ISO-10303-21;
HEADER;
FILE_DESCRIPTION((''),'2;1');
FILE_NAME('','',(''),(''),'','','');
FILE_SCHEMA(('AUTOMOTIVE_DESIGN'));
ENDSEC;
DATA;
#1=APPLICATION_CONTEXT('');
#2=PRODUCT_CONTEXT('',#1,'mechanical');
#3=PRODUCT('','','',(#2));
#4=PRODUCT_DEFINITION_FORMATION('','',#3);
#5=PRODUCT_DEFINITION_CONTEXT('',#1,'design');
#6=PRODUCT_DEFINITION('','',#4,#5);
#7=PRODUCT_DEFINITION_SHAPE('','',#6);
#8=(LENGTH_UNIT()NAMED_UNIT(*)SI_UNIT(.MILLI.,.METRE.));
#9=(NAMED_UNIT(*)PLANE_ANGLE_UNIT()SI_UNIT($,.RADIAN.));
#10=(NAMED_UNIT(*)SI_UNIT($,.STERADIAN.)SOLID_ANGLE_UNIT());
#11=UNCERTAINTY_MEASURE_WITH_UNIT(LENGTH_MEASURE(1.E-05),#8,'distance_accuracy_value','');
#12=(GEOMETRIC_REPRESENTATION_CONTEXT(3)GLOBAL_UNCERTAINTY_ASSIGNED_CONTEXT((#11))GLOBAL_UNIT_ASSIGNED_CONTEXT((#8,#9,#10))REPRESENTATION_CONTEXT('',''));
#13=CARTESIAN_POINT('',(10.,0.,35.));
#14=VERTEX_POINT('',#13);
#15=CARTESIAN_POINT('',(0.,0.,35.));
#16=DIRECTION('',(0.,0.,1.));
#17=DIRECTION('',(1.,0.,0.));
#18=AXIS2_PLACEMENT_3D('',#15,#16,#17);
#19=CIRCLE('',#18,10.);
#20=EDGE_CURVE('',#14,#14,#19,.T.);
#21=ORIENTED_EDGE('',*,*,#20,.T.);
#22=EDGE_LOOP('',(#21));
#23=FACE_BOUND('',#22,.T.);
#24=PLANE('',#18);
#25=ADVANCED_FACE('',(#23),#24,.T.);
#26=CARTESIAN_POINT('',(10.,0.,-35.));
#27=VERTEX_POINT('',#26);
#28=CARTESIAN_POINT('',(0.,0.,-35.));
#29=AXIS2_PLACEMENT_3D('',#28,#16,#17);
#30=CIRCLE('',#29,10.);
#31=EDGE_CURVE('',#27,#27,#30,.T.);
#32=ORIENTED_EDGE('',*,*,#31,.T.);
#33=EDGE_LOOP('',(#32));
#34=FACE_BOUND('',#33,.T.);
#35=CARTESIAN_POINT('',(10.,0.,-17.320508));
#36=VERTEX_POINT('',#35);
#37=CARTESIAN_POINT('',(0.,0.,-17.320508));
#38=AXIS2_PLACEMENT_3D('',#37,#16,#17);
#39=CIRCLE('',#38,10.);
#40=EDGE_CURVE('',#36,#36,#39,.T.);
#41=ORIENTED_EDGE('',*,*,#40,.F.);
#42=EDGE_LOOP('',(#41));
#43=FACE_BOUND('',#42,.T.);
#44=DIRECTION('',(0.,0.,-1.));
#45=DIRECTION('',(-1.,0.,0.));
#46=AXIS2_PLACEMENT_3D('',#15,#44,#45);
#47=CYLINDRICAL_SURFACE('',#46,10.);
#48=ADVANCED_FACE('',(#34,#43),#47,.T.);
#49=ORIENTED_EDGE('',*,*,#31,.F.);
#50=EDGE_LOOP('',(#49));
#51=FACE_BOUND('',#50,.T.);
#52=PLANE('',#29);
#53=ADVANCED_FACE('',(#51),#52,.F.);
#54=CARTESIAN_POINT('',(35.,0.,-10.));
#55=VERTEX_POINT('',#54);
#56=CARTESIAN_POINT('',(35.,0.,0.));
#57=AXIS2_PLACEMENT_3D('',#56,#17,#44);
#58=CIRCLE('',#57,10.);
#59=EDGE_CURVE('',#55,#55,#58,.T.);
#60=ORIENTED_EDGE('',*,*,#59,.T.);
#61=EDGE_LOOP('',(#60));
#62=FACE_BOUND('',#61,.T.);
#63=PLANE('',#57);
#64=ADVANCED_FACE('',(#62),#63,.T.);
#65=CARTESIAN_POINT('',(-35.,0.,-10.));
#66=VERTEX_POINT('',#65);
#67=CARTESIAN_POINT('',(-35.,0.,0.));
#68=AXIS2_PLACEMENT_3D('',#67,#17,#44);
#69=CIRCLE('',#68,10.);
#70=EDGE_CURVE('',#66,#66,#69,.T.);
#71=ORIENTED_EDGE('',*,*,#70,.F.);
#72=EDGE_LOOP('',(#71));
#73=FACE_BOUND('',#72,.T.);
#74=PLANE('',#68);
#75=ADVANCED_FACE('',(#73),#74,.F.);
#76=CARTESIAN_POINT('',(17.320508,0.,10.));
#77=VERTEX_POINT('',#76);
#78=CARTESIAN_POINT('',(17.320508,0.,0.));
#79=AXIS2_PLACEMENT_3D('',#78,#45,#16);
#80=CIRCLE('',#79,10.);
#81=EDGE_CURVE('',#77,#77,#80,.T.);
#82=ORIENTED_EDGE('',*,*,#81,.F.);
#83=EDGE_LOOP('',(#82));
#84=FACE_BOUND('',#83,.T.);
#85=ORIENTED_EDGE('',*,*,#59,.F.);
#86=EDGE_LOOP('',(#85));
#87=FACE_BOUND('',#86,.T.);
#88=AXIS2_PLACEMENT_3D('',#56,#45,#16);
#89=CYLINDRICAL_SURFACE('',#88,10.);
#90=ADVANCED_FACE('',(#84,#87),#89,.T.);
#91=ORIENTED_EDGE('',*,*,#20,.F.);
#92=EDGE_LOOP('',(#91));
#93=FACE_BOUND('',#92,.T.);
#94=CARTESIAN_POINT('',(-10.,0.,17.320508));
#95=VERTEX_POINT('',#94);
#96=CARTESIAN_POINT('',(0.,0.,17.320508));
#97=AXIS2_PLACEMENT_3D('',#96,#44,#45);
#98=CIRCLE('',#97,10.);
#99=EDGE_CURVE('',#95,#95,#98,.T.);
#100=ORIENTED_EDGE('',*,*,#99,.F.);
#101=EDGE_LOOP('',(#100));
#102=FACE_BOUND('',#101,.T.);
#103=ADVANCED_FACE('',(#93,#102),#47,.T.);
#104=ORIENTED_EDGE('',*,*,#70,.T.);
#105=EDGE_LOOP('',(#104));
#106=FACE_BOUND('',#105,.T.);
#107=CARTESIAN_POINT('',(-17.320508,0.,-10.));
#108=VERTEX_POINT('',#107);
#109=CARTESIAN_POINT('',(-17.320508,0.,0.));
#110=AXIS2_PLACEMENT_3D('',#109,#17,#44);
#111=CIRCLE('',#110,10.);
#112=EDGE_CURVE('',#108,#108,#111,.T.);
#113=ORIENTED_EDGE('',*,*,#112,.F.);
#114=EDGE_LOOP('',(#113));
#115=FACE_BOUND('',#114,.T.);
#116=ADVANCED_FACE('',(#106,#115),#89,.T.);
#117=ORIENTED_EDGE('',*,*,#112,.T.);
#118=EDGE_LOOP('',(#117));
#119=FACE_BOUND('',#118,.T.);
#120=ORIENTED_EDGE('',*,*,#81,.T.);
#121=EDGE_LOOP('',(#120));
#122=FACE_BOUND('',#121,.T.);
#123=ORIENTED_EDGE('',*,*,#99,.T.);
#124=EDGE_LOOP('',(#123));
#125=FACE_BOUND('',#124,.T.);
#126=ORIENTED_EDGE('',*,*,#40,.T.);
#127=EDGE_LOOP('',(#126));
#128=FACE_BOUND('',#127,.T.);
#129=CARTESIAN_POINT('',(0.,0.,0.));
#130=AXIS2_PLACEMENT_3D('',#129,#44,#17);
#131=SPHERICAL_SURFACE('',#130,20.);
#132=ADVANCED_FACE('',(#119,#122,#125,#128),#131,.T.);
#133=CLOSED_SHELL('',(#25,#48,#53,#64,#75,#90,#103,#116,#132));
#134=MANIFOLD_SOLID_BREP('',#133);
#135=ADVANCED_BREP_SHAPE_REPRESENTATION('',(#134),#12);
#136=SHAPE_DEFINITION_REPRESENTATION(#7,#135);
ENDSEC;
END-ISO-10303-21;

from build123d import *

# Parameters (mm, degrees)
SKETCH2_R           = 10
BOSS_EXTRUDE1_DEPTH = 35
SKETCH3_R           = 10
BOSS_EXTRUDE2_DEPTH = 35


with BuildPart() as part:
    # Sketch1 → Revolve1 (revolve)
    with BuildSketch(Plane(origin=(0, 0, 0), x_dir=(1, 0, 0), z_dir=(0, 1, 0))):
        with BuildLine():
            Line((0, 20), (0, -20))
            ThreePointArc((0, -20), (-20, 0), (0, 20))
        make_face()
    revolve(axis=Axis((0, 0, -20), (0, 0, 1)))



with BuildPart() as body_2:
    # Sketch2 → Boss-Extrude1 (new, symmetric)
    with BuildSketch(Plane.XY):
        Circle(SKETCH2_R)
    extrude(amount=BOSS_EXTRUDE1_DEPTH, both=True)


with BuildPart() as part_1:
    add(part.part)

    add(body_2.part)  # Boss-Extrude2 merges body 2
    # Sketch3 → Boss-Extrude2 (add, symmetric)
    with BuildSketch(Plane(origin=(0, 0, 0), x_dir=(0, 0, -1), z_dir=(1, 0, 0))):
        Circle(SKETCH3_R)
    extrude(amount=BOSS_EXTRUDE2_DEPTH, both=True)


solid = part_1.part
